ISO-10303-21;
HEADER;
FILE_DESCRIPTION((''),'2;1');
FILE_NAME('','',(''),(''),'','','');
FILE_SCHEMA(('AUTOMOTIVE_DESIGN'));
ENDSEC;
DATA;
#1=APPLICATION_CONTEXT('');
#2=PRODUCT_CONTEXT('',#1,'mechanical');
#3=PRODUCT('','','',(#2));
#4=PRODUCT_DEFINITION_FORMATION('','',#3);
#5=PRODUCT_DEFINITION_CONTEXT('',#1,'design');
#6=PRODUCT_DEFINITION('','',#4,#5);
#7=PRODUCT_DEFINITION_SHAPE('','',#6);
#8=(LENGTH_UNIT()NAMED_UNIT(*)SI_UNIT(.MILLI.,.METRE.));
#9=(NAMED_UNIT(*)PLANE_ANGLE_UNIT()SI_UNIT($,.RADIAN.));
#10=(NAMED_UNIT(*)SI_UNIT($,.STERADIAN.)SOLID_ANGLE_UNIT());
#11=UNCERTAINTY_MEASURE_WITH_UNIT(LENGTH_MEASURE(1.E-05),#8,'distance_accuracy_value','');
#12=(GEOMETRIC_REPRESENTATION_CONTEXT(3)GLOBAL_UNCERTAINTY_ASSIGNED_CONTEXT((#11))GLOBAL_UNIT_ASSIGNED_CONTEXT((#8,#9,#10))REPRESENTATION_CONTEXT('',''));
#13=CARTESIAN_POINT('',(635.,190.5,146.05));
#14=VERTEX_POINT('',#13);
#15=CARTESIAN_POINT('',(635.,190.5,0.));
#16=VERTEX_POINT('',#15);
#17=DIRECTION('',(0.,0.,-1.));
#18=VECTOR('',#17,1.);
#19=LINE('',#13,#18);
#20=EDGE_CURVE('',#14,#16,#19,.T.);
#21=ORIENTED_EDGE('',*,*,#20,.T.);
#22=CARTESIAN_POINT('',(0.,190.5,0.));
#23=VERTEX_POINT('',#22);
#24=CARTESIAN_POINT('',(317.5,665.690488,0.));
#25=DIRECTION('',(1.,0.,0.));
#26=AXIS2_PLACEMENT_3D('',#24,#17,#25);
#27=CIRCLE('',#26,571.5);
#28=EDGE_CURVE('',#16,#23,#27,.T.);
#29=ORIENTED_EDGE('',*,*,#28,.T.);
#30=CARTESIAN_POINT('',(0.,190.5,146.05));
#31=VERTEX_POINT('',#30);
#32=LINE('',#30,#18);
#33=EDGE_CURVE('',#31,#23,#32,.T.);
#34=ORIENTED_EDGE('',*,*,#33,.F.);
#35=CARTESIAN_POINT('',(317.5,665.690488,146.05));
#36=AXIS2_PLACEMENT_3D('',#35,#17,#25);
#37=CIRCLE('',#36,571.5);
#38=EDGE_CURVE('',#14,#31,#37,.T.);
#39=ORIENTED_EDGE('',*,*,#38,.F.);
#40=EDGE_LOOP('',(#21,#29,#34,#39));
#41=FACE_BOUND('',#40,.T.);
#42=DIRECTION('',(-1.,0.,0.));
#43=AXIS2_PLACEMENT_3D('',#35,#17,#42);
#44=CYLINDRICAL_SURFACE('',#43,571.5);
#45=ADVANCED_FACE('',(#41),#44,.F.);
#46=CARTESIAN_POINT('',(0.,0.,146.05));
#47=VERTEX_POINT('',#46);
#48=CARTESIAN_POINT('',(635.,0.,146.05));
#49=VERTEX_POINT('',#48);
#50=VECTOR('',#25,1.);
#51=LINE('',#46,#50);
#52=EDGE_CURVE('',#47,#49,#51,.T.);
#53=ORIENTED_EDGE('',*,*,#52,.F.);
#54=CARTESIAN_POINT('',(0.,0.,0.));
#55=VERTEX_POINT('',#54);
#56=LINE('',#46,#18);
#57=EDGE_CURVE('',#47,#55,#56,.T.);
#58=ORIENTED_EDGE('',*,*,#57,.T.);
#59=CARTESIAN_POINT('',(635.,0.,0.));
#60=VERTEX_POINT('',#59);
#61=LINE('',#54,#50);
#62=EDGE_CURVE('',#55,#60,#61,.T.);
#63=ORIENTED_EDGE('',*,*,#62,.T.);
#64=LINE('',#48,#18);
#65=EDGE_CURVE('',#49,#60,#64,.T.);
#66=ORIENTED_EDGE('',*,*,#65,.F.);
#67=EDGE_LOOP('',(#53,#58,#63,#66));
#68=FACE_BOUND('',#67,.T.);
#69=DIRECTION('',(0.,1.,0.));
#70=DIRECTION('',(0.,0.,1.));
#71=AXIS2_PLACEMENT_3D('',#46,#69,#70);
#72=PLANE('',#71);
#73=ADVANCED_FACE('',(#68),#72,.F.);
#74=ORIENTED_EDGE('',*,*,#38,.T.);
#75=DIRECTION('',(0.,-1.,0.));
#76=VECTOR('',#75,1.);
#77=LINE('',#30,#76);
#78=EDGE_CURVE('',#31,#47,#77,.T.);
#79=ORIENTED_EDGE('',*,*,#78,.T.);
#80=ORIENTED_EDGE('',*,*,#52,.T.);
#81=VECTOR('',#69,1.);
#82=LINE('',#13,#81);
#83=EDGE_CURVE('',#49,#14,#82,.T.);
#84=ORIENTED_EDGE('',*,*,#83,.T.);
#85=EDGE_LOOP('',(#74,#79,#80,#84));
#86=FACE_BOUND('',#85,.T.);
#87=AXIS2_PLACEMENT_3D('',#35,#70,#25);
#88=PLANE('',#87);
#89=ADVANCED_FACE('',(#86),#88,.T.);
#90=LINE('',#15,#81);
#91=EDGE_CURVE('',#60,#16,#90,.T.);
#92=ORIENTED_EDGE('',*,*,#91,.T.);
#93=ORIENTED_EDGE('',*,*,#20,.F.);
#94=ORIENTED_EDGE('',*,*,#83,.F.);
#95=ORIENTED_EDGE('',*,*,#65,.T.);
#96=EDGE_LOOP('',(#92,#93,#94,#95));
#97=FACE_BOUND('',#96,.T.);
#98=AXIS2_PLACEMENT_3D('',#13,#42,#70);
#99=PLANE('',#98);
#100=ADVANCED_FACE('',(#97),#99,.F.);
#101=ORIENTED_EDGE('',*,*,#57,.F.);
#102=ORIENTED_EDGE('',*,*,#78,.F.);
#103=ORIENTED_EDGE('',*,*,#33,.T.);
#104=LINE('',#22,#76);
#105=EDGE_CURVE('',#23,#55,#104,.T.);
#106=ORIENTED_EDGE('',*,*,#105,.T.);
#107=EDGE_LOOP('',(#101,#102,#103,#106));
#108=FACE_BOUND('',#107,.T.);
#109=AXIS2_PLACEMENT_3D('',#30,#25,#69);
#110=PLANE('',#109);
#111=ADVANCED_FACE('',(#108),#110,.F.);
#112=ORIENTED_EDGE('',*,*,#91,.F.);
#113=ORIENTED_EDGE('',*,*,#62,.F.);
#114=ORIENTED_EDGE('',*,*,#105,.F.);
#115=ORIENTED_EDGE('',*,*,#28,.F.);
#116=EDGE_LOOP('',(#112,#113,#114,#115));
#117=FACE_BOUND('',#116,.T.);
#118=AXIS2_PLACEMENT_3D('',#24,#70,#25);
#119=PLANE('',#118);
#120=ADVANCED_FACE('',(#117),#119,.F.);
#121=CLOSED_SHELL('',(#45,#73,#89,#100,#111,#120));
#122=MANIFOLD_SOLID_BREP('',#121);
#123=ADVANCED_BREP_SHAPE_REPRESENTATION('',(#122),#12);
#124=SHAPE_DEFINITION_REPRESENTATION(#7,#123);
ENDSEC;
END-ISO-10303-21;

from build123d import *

# Parameters (mm, degrees)
BOSS_EXTRUDE1_DEPTH = 146.05


with BuildPart() as part:
    # Sketch1 → Boss-Extrude1 (new body)
    with BuildSketch(Plane.XY):
        with BuildLine():
            Line((0, 0), (635, 0))
            Line((635, 0), (635, 190.5))
            ThreePointArc((635, 190.5), (317.5, 94.19048812), (0, 190.5))
            Line((0, 190.5), (0, 0))
        make_face()
    extrude(amount=BOSS_EXTRUDE1_DEPTH)


solid = part.part
